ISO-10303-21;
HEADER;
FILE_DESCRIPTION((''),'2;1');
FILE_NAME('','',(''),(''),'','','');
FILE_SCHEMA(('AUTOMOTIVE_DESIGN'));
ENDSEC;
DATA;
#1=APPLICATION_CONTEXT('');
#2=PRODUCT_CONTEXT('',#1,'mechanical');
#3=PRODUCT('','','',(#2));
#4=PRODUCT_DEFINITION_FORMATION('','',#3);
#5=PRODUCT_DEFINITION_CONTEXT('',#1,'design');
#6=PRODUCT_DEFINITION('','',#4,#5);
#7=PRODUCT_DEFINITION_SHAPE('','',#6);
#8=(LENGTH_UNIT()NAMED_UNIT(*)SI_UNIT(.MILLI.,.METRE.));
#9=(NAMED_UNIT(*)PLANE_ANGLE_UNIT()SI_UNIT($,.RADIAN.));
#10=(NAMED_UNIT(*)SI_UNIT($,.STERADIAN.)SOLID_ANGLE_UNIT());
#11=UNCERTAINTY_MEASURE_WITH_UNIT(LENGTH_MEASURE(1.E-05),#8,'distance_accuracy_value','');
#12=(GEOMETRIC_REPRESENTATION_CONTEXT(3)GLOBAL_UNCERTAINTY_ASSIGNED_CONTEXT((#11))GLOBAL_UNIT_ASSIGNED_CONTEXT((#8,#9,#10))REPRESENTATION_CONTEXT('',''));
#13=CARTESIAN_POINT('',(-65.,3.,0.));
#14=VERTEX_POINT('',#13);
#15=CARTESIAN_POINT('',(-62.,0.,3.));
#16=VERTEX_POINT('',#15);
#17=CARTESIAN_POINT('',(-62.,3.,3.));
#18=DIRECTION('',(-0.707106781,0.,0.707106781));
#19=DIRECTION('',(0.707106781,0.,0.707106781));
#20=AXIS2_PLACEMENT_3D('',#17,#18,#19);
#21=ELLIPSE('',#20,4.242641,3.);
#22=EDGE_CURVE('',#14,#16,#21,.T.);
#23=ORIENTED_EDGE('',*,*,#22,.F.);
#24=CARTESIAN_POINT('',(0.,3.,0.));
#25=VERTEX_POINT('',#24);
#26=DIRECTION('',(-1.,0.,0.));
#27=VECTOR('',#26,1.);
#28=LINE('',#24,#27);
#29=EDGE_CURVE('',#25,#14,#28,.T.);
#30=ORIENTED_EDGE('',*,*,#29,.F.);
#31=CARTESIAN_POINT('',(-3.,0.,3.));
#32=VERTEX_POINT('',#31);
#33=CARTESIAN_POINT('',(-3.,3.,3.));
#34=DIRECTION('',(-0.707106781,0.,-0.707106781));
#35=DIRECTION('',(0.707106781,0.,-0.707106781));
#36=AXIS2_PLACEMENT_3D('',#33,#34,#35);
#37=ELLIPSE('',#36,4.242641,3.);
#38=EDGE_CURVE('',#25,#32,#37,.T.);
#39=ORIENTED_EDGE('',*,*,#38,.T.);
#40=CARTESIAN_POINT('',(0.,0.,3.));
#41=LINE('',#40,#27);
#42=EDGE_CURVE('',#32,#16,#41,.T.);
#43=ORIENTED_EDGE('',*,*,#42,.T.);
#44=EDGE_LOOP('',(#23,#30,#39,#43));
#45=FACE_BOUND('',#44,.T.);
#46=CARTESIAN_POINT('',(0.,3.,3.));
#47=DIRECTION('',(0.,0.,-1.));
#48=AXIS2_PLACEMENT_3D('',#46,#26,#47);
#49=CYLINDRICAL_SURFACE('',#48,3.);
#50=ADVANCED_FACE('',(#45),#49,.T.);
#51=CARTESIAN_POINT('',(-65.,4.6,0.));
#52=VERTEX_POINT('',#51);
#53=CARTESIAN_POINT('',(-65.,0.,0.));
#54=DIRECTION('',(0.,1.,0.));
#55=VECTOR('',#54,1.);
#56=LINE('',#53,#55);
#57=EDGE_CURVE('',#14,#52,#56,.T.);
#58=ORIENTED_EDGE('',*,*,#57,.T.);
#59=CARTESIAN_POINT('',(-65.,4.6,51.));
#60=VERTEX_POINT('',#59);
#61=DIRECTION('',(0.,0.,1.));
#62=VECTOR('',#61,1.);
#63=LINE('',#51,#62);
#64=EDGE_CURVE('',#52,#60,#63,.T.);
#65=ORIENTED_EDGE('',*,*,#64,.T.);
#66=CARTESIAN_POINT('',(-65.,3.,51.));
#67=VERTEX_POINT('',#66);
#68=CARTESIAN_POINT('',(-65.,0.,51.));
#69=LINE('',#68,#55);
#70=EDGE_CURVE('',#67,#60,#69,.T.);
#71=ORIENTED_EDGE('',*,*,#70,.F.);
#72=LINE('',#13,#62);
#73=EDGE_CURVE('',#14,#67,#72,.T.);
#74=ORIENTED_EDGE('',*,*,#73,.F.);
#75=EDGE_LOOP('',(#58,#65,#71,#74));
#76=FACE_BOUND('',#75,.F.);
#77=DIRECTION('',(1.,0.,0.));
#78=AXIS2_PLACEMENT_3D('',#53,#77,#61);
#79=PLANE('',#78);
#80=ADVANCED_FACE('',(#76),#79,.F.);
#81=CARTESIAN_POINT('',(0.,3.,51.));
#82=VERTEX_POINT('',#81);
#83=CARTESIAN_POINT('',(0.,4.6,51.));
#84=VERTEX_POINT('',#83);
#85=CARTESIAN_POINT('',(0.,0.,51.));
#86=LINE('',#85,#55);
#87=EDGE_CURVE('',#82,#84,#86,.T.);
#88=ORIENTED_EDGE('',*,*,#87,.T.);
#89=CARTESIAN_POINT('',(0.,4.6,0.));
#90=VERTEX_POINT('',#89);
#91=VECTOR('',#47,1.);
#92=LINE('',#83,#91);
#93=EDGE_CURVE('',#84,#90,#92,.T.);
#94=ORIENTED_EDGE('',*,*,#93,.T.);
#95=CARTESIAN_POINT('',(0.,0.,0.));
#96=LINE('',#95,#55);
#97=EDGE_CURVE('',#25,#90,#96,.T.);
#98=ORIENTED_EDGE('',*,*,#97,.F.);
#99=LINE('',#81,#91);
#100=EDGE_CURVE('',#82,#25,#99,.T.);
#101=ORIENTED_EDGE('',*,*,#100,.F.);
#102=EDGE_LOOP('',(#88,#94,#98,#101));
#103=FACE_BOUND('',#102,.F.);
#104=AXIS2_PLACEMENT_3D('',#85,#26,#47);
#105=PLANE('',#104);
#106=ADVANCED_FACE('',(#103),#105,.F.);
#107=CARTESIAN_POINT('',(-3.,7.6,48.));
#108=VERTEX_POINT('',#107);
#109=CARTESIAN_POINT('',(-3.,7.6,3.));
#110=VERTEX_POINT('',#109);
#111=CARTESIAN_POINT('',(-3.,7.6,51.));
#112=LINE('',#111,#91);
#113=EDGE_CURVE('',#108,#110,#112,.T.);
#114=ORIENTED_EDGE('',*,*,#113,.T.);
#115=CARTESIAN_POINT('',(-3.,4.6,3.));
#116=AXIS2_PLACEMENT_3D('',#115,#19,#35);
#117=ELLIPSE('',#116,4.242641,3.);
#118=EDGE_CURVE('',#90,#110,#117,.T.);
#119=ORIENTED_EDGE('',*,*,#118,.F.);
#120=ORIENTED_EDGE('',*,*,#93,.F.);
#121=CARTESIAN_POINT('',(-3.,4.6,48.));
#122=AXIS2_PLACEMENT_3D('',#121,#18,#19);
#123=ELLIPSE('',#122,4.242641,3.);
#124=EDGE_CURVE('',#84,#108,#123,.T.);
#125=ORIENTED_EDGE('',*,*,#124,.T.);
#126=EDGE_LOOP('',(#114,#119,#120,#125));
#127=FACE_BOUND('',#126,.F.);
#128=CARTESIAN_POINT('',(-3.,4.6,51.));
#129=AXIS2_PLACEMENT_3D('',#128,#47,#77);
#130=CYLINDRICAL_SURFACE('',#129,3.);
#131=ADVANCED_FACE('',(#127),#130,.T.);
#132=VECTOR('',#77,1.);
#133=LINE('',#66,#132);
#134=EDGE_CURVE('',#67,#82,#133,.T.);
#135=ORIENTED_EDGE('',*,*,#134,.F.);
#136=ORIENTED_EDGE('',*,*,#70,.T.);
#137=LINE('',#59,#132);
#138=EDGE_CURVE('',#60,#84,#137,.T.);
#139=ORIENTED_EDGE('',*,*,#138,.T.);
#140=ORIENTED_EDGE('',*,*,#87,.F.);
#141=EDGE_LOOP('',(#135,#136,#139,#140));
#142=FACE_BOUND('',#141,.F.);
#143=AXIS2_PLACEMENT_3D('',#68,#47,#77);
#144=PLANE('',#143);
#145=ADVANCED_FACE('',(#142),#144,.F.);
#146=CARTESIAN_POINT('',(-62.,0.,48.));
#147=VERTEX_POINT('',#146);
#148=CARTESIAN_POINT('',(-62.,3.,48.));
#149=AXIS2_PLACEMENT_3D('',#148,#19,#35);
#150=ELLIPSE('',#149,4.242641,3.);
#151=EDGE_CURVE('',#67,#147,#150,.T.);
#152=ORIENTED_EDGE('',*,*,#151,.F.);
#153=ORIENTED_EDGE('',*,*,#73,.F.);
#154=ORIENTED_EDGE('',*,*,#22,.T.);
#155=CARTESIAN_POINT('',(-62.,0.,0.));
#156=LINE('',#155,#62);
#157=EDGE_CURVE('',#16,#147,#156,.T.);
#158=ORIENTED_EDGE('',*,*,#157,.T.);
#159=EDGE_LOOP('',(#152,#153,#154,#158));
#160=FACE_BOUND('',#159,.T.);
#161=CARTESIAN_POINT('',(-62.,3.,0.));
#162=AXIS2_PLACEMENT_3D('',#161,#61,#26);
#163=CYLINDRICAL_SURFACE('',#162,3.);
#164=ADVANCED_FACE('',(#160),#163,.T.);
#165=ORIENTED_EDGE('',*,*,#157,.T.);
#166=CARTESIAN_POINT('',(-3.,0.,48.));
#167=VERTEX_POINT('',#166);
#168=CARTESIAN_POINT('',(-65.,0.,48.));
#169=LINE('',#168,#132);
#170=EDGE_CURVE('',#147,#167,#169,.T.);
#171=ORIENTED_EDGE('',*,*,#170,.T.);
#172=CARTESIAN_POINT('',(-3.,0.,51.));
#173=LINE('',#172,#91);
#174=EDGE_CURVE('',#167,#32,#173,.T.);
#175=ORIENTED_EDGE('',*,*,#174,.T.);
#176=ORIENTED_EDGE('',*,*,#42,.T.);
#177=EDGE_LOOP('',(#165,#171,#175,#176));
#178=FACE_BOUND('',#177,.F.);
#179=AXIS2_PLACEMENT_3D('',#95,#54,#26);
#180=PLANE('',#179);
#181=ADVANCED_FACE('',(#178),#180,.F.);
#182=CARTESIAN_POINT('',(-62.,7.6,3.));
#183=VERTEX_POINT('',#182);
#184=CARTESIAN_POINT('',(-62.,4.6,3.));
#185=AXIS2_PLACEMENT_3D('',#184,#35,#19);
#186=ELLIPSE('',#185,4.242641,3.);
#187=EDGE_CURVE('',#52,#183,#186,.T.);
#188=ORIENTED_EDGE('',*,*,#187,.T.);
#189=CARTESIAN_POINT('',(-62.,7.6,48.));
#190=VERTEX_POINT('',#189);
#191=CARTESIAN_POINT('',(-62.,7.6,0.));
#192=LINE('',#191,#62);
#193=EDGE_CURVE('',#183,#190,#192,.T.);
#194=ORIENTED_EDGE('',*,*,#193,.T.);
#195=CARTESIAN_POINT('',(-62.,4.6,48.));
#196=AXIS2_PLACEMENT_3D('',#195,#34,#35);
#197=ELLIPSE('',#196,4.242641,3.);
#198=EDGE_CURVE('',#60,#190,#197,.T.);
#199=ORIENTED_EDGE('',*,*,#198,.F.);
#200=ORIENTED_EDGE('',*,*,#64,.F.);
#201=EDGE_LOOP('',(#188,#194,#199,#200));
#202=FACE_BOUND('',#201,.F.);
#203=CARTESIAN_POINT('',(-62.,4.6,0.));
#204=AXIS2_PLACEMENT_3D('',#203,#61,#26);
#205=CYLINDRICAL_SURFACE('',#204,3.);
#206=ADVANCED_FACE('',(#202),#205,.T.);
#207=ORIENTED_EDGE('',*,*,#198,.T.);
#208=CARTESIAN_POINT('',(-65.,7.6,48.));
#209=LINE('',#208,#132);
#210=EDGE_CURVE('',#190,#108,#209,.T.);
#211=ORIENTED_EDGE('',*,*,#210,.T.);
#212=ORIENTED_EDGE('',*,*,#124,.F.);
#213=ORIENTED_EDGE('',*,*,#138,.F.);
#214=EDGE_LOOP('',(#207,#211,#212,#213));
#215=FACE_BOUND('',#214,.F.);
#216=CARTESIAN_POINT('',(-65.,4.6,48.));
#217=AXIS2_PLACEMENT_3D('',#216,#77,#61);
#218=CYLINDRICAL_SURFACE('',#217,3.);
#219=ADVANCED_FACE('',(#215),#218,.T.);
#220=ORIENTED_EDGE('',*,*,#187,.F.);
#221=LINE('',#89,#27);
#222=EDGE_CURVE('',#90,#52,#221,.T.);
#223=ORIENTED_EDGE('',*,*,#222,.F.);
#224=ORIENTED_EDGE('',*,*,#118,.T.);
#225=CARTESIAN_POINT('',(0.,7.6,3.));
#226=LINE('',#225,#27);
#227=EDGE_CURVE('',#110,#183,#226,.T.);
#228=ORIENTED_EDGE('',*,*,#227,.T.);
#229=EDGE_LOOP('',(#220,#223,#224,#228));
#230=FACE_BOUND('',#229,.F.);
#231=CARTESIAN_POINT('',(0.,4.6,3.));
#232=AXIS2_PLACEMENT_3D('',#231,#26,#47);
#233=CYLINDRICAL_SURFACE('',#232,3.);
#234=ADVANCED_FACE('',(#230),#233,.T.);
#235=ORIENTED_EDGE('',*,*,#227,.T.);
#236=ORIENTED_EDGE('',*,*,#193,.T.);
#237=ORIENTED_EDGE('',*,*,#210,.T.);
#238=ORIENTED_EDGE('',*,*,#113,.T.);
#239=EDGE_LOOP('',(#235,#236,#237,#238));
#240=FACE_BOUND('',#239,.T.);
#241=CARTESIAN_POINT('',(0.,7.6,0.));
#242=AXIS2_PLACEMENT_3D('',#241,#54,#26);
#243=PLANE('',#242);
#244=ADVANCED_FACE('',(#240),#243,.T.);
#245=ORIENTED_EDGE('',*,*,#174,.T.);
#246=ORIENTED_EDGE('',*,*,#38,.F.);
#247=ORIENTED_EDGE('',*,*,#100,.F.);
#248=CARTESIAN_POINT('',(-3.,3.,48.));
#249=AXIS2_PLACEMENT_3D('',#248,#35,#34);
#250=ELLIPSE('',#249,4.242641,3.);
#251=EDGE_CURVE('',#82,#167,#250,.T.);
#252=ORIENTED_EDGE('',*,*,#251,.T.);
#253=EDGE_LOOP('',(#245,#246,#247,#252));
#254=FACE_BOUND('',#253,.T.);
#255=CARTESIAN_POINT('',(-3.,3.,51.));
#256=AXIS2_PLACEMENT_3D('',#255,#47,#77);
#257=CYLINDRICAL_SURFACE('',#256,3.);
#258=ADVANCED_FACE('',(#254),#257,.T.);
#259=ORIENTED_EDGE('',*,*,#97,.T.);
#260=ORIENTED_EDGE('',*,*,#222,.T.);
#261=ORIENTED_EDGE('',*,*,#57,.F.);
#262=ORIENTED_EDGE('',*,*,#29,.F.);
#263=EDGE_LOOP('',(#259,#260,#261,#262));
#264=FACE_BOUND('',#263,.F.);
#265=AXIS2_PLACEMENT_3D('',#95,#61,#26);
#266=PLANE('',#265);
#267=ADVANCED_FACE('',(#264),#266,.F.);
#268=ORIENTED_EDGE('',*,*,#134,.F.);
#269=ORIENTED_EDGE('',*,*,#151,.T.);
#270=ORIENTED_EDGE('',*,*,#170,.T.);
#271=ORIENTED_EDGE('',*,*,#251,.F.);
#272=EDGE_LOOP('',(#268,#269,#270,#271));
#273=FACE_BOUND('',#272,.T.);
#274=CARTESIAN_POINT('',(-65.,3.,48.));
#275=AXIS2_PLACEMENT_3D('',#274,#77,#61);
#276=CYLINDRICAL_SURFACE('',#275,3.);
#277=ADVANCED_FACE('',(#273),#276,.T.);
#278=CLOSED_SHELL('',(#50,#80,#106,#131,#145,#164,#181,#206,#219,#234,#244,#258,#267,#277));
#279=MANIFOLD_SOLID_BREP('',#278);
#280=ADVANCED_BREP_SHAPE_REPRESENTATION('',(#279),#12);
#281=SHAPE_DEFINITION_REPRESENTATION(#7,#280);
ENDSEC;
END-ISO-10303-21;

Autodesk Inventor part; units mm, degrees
ref_plane "YZ Plane" through (0, 0, 0) normal (1, 0, 0) x (0, 1, 0)
ref_plane "XZ Plane" through (0, 0, 0) normal (0, 1, 0) x (-1, 0, 0)
ref_plane "XY Plane" through (0, 0, 0) normal (0, 0, 1) x (1, 0, 0)
sketch "Sketch1" plane through (0, 0, 0) normal (0, 1, 0) x (-1, 0, 0)
  line L0 (65, 51) -> (0, 51)
  line L1 (0, 51) -> (0, 0)
  line L2 (0, 0) -> (65, 0)
  line L3 (65, 0) -> (65, 51)
  dimension "d0" = 51
  dimension "d1" = 65
extrude "Extrusion1" add sketch "Sketch1" along normal blind 7.6
fillet "Fillet1" radius 3 8 edges at (-32.5, 7.6, 51) (-65, 7.6, 25.5) (0, 7.6, 25.5) (-32.5, 7.6, 0) (0, 0, 25.5) (-32.5, 0, 51) (-65, 0, 25.5) (-32.5, 0, 0)
properties part number "LiPo Battery"
